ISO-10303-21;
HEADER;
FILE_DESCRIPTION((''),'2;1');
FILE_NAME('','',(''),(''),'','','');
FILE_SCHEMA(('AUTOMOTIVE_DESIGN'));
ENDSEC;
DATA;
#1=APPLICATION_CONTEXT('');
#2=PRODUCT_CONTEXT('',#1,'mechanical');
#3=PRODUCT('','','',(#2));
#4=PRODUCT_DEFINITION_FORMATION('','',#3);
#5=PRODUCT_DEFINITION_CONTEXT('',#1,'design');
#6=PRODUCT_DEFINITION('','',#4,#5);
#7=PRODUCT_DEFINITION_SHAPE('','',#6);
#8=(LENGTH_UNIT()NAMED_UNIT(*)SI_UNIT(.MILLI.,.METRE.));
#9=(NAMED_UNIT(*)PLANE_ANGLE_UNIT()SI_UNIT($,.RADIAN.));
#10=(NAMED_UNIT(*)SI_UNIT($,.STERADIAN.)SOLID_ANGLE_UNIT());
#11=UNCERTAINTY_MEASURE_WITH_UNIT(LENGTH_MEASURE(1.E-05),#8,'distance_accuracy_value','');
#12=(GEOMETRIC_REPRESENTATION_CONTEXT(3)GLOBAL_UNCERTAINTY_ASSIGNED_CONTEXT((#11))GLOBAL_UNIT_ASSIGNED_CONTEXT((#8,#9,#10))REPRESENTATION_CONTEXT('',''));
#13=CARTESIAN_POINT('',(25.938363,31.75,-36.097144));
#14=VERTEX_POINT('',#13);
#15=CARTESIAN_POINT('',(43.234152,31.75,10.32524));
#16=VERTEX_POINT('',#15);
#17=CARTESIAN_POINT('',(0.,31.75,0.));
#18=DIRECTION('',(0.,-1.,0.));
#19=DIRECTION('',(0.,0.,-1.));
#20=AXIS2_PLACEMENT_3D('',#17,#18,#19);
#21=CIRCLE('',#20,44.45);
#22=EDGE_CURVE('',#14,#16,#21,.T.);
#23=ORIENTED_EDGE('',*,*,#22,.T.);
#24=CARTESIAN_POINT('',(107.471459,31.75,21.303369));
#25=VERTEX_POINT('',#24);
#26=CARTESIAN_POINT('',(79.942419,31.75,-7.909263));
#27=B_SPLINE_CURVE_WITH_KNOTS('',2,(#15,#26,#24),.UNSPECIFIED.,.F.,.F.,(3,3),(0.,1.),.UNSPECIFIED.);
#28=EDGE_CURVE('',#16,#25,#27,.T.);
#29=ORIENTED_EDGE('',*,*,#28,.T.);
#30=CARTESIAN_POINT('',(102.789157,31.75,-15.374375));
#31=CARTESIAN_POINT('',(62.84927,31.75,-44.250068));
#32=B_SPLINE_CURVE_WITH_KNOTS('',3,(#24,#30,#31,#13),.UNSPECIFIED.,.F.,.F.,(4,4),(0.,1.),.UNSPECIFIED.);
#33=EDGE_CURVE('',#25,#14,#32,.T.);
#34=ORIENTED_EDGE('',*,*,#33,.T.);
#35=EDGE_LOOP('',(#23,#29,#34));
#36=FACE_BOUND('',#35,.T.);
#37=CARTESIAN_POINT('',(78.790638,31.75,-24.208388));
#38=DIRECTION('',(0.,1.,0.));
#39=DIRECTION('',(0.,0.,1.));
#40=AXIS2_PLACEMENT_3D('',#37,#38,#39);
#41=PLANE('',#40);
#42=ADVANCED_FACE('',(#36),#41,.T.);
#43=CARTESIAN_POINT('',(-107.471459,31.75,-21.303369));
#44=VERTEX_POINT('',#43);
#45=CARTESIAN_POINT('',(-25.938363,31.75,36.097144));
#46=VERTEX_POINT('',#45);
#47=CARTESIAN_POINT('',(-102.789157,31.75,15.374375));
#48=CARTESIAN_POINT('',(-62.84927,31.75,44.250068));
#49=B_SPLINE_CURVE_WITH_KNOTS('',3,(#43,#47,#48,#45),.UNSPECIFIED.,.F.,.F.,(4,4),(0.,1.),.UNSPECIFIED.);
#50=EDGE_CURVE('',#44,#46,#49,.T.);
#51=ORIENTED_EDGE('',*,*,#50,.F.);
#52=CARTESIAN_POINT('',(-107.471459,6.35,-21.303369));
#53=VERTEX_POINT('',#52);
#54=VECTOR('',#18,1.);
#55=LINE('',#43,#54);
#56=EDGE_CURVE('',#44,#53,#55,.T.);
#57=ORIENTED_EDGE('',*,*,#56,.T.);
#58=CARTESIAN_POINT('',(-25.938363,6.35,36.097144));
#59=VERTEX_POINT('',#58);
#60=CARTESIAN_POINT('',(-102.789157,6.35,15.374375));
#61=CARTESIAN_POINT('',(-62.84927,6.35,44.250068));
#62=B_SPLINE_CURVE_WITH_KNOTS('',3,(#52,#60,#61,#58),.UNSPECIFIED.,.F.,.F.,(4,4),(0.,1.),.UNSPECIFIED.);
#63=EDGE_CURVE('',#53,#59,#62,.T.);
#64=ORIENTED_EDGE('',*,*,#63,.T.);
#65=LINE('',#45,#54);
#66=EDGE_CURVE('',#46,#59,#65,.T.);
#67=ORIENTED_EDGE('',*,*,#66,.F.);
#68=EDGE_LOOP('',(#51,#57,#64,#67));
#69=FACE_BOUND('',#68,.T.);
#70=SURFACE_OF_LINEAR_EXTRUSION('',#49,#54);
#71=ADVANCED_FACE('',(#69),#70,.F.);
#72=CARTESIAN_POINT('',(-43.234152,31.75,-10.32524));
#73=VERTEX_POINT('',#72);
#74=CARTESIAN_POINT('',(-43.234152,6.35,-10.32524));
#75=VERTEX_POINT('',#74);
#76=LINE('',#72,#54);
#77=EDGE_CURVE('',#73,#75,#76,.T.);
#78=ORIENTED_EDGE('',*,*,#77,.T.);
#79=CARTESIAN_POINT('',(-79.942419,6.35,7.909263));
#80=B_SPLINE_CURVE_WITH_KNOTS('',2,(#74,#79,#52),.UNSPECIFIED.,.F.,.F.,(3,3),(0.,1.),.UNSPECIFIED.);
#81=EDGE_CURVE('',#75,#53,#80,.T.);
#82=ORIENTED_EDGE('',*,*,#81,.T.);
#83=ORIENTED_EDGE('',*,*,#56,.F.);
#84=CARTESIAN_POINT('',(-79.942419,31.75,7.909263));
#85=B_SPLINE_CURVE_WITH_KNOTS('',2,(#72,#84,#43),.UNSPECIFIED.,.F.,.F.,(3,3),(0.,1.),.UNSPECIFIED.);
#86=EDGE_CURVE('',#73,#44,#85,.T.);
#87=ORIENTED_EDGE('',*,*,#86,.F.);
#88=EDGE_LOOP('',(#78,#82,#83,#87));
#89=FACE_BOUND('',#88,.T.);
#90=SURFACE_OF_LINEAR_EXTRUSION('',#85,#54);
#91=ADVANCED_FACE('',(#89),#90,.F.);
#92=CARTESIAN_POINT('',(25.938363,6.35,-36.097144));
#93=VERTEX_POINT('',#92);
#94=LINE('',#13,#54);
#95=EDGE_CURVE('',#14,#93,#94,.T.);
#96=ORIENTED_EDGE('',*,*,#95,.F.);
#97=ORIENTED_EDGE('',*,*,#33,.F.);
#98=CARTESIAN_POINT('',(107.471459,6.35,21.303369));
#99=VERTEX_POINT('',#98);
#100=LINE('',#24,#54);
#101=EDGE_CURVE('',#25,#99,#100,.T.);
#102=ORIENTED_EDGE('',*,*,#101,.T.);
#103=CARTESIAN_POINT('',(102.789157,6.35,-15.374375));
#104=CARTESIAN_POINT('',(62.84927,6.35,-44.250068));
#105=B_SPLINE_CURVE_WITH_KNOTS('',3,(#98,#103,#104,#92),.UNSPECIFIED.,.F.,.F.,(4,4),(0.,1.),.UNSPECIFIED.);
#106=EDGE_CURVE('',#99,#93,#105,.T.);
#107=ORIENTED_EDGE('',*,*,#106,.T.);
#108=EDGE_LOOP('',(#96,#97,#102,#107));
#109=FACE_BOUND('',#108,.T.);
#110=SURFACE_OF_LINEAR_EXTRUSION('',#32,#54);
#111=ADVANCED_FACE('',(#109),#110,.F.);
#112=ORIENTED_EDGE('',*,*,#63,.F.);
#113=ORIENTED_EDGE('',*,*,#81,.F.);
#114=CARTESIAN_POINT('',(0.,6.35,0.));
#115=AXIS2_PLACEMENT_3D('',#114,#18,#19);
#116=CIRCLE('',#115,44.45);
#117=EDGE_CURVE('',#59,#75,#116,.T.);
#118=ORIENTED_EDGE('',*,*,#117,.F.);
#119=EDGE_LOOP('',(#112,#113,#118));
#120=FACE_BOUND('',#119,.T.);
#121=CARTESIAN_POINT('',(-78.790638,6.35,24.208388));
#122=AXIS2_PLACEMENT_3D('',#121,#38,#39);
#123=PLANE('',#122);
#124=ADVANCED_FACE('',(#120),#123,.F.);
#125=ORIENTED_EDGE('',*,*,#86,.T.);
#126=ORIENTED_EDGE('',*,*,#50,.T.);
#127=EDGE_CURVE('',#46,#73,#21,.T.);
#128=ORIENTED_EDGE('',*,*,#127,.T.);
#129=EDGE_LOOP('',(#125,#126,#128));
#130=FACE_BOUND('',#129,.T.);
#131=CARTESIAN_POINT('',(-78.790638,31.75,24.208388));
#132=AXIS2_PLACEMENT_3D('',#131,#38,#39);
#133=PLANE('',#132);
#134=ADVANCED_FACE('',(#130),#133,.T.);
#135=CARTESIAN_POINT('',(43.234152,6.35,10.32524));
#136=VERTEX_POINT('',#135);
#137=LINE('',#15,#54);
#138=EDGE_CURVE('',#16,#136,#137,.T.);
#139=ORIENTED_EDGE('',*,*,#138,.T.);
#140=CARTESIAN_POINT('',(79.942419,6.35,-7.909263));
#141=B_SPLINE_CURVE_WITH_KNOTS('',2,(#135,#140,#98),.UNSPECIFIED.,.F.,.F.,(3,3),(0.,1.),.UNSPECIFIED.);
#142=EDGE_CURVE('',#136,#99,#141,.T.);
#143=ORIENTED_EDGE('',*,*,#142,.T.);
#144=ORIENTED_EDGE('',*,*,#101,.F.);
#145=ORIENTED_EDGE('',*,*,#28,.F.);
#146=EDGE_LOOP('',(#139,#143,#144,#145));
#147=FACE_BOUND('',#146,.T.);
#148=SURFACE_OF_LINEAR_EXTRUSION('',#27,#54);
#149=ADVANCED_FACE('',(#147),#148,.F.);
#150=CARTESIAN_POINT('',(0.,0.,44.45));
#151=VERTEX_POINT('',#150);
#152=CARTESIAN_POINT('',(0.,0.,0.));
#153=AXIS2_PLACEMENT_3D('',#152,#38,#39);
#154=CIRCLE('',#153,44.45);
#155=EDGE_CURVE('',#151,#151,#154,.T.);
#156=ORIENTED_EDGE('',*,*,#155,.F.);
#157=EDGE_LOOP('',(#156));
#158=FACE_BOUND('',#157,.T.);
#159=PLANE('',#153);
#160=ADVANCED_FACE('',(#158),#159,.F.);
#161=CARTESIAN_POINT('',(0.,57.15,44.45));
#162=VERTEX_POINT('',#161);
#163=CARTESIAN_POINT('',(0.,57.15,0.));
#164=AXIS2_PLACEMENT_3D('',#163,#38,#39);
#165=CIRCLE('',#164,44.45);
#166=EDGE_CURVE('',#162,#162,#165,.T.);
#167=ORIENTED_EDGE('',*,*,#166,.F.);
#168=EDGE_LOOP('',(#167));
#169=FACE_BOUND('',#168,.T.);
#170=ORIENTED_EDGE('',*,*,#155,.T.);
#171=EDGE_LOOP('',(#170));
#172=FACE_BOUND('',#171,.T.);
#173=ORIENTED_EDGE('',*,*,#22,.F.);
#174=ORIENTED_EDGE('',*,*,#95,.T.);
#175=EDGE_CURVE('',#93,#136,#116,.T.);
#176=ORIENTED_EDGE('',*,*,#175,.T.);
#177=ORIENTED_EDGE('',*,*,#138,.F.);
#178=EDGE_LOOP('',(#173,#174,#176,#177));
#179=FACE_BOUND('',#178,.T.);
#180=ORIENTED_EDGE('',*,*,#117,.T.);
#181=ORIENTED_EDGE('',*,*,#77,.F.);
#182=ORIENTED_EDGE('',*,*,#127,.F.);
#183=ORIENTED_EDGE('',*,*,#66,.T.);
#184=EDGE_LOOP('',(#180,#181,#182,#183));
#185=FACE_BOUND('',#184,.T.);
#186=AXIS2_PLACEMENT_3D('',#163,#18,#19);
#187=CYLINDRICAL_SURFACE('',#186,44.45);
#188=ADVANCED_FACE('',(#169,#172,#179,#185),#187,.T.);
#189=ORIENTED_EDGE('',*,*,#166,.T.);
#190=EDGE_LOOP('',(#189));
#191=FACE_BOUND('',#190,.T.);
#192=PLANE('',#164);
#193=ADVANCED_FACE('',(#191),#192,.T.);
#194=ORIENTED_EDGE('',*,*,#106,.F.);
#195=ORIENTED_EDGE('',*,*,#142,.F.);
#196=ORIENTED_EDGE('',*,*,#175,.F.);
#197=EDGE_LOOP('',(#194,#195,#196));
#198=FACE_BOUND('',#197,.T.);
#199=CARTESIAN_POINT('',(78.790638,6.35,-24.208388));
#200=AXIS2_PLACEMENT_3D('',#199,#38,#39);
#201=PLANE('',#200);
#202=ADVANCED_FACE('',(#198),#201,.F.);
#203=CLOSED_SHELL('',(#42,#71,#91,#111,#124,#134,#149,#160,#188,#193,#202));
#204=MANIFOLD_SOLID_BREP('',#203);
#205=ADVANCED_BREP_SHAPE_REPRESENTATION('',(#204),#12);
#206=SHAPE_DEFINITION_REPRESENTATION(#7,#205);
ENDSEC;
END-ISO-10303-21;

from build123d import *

# Parameters (mm, degrees)
SKETCH1_R           = 44.45
BOSS_EXTRUDE1_DEPTH = 57.15
BOSS_EXTRUDE2_DEPTH = 25.4


with BuildPart() as part:
    # Sketch1 → Boss-Extrude1 (new body)
    with BuildSketch(Plane(origin=(0, 0, 0), x_dir=(1, 0, 0), z_dir=(0, 1, 0))):
        Circle(SKETCH1_R)
    extrude(amount=BOSS_EXTRUDE1_DEPTH)

    # Sketch3 → Boss-Extrude2 (add)
    with BuildSketch(Plane(origin=(0, 6.35, 0), x_dir=(1, 0, 0), z_dir=(0, 1, 0))):
        with BuildLine():
            ThreePointArc((25.93836289, 36.097144355), (41.652954947, 15.518822255), (43.234152204, -10.325240105))
            add(Edge.make_bspline(
                [(107.47145922, -21.303368675), (79.942418966, 7.909262822), (43.234152204, -10.325240105)],
                knots=[0, 0, 0, 1, 1, 1], degree=2))
            add(Edge.make_bspline(
                [(25.93836289, 36.097144355), (62.849269779, 44.250068413), (102.789157255, 15.374374685), (107.47145922, -21.303368675)],
                knots=[0, 0, 0, 0, 1, 1, 1, 1], degree=3))
        make_face()
        with BuildLine():
            ThreePointArc((-25.93836289, -36.097144355), (-41.652954947, -15.518822255), (-43.234152204, 10.325240105))
            add(Edge.make_bspline(
                [(-107.47145922, 21.303368675), (-79.942418966, -7.909262822), (-43.234152204, 10.325240105)],
                knots=[0, 0, 0, 1, 1, 1], degree=2))
            add(Edge.make_bspline(
                [(-25.93836289, -36.097144355), (-62.849269779, -44.250068413), (-102.789157255, -15.374374685), (-107.47145922, 21.303368675)],
                knots=[0, 0, 0, 0, 1, 1, 1, 1], degree=3))
        make_face()
    extrude(amount=BOSS_EXTRUDE2_DEPTH)


solid = part.part
